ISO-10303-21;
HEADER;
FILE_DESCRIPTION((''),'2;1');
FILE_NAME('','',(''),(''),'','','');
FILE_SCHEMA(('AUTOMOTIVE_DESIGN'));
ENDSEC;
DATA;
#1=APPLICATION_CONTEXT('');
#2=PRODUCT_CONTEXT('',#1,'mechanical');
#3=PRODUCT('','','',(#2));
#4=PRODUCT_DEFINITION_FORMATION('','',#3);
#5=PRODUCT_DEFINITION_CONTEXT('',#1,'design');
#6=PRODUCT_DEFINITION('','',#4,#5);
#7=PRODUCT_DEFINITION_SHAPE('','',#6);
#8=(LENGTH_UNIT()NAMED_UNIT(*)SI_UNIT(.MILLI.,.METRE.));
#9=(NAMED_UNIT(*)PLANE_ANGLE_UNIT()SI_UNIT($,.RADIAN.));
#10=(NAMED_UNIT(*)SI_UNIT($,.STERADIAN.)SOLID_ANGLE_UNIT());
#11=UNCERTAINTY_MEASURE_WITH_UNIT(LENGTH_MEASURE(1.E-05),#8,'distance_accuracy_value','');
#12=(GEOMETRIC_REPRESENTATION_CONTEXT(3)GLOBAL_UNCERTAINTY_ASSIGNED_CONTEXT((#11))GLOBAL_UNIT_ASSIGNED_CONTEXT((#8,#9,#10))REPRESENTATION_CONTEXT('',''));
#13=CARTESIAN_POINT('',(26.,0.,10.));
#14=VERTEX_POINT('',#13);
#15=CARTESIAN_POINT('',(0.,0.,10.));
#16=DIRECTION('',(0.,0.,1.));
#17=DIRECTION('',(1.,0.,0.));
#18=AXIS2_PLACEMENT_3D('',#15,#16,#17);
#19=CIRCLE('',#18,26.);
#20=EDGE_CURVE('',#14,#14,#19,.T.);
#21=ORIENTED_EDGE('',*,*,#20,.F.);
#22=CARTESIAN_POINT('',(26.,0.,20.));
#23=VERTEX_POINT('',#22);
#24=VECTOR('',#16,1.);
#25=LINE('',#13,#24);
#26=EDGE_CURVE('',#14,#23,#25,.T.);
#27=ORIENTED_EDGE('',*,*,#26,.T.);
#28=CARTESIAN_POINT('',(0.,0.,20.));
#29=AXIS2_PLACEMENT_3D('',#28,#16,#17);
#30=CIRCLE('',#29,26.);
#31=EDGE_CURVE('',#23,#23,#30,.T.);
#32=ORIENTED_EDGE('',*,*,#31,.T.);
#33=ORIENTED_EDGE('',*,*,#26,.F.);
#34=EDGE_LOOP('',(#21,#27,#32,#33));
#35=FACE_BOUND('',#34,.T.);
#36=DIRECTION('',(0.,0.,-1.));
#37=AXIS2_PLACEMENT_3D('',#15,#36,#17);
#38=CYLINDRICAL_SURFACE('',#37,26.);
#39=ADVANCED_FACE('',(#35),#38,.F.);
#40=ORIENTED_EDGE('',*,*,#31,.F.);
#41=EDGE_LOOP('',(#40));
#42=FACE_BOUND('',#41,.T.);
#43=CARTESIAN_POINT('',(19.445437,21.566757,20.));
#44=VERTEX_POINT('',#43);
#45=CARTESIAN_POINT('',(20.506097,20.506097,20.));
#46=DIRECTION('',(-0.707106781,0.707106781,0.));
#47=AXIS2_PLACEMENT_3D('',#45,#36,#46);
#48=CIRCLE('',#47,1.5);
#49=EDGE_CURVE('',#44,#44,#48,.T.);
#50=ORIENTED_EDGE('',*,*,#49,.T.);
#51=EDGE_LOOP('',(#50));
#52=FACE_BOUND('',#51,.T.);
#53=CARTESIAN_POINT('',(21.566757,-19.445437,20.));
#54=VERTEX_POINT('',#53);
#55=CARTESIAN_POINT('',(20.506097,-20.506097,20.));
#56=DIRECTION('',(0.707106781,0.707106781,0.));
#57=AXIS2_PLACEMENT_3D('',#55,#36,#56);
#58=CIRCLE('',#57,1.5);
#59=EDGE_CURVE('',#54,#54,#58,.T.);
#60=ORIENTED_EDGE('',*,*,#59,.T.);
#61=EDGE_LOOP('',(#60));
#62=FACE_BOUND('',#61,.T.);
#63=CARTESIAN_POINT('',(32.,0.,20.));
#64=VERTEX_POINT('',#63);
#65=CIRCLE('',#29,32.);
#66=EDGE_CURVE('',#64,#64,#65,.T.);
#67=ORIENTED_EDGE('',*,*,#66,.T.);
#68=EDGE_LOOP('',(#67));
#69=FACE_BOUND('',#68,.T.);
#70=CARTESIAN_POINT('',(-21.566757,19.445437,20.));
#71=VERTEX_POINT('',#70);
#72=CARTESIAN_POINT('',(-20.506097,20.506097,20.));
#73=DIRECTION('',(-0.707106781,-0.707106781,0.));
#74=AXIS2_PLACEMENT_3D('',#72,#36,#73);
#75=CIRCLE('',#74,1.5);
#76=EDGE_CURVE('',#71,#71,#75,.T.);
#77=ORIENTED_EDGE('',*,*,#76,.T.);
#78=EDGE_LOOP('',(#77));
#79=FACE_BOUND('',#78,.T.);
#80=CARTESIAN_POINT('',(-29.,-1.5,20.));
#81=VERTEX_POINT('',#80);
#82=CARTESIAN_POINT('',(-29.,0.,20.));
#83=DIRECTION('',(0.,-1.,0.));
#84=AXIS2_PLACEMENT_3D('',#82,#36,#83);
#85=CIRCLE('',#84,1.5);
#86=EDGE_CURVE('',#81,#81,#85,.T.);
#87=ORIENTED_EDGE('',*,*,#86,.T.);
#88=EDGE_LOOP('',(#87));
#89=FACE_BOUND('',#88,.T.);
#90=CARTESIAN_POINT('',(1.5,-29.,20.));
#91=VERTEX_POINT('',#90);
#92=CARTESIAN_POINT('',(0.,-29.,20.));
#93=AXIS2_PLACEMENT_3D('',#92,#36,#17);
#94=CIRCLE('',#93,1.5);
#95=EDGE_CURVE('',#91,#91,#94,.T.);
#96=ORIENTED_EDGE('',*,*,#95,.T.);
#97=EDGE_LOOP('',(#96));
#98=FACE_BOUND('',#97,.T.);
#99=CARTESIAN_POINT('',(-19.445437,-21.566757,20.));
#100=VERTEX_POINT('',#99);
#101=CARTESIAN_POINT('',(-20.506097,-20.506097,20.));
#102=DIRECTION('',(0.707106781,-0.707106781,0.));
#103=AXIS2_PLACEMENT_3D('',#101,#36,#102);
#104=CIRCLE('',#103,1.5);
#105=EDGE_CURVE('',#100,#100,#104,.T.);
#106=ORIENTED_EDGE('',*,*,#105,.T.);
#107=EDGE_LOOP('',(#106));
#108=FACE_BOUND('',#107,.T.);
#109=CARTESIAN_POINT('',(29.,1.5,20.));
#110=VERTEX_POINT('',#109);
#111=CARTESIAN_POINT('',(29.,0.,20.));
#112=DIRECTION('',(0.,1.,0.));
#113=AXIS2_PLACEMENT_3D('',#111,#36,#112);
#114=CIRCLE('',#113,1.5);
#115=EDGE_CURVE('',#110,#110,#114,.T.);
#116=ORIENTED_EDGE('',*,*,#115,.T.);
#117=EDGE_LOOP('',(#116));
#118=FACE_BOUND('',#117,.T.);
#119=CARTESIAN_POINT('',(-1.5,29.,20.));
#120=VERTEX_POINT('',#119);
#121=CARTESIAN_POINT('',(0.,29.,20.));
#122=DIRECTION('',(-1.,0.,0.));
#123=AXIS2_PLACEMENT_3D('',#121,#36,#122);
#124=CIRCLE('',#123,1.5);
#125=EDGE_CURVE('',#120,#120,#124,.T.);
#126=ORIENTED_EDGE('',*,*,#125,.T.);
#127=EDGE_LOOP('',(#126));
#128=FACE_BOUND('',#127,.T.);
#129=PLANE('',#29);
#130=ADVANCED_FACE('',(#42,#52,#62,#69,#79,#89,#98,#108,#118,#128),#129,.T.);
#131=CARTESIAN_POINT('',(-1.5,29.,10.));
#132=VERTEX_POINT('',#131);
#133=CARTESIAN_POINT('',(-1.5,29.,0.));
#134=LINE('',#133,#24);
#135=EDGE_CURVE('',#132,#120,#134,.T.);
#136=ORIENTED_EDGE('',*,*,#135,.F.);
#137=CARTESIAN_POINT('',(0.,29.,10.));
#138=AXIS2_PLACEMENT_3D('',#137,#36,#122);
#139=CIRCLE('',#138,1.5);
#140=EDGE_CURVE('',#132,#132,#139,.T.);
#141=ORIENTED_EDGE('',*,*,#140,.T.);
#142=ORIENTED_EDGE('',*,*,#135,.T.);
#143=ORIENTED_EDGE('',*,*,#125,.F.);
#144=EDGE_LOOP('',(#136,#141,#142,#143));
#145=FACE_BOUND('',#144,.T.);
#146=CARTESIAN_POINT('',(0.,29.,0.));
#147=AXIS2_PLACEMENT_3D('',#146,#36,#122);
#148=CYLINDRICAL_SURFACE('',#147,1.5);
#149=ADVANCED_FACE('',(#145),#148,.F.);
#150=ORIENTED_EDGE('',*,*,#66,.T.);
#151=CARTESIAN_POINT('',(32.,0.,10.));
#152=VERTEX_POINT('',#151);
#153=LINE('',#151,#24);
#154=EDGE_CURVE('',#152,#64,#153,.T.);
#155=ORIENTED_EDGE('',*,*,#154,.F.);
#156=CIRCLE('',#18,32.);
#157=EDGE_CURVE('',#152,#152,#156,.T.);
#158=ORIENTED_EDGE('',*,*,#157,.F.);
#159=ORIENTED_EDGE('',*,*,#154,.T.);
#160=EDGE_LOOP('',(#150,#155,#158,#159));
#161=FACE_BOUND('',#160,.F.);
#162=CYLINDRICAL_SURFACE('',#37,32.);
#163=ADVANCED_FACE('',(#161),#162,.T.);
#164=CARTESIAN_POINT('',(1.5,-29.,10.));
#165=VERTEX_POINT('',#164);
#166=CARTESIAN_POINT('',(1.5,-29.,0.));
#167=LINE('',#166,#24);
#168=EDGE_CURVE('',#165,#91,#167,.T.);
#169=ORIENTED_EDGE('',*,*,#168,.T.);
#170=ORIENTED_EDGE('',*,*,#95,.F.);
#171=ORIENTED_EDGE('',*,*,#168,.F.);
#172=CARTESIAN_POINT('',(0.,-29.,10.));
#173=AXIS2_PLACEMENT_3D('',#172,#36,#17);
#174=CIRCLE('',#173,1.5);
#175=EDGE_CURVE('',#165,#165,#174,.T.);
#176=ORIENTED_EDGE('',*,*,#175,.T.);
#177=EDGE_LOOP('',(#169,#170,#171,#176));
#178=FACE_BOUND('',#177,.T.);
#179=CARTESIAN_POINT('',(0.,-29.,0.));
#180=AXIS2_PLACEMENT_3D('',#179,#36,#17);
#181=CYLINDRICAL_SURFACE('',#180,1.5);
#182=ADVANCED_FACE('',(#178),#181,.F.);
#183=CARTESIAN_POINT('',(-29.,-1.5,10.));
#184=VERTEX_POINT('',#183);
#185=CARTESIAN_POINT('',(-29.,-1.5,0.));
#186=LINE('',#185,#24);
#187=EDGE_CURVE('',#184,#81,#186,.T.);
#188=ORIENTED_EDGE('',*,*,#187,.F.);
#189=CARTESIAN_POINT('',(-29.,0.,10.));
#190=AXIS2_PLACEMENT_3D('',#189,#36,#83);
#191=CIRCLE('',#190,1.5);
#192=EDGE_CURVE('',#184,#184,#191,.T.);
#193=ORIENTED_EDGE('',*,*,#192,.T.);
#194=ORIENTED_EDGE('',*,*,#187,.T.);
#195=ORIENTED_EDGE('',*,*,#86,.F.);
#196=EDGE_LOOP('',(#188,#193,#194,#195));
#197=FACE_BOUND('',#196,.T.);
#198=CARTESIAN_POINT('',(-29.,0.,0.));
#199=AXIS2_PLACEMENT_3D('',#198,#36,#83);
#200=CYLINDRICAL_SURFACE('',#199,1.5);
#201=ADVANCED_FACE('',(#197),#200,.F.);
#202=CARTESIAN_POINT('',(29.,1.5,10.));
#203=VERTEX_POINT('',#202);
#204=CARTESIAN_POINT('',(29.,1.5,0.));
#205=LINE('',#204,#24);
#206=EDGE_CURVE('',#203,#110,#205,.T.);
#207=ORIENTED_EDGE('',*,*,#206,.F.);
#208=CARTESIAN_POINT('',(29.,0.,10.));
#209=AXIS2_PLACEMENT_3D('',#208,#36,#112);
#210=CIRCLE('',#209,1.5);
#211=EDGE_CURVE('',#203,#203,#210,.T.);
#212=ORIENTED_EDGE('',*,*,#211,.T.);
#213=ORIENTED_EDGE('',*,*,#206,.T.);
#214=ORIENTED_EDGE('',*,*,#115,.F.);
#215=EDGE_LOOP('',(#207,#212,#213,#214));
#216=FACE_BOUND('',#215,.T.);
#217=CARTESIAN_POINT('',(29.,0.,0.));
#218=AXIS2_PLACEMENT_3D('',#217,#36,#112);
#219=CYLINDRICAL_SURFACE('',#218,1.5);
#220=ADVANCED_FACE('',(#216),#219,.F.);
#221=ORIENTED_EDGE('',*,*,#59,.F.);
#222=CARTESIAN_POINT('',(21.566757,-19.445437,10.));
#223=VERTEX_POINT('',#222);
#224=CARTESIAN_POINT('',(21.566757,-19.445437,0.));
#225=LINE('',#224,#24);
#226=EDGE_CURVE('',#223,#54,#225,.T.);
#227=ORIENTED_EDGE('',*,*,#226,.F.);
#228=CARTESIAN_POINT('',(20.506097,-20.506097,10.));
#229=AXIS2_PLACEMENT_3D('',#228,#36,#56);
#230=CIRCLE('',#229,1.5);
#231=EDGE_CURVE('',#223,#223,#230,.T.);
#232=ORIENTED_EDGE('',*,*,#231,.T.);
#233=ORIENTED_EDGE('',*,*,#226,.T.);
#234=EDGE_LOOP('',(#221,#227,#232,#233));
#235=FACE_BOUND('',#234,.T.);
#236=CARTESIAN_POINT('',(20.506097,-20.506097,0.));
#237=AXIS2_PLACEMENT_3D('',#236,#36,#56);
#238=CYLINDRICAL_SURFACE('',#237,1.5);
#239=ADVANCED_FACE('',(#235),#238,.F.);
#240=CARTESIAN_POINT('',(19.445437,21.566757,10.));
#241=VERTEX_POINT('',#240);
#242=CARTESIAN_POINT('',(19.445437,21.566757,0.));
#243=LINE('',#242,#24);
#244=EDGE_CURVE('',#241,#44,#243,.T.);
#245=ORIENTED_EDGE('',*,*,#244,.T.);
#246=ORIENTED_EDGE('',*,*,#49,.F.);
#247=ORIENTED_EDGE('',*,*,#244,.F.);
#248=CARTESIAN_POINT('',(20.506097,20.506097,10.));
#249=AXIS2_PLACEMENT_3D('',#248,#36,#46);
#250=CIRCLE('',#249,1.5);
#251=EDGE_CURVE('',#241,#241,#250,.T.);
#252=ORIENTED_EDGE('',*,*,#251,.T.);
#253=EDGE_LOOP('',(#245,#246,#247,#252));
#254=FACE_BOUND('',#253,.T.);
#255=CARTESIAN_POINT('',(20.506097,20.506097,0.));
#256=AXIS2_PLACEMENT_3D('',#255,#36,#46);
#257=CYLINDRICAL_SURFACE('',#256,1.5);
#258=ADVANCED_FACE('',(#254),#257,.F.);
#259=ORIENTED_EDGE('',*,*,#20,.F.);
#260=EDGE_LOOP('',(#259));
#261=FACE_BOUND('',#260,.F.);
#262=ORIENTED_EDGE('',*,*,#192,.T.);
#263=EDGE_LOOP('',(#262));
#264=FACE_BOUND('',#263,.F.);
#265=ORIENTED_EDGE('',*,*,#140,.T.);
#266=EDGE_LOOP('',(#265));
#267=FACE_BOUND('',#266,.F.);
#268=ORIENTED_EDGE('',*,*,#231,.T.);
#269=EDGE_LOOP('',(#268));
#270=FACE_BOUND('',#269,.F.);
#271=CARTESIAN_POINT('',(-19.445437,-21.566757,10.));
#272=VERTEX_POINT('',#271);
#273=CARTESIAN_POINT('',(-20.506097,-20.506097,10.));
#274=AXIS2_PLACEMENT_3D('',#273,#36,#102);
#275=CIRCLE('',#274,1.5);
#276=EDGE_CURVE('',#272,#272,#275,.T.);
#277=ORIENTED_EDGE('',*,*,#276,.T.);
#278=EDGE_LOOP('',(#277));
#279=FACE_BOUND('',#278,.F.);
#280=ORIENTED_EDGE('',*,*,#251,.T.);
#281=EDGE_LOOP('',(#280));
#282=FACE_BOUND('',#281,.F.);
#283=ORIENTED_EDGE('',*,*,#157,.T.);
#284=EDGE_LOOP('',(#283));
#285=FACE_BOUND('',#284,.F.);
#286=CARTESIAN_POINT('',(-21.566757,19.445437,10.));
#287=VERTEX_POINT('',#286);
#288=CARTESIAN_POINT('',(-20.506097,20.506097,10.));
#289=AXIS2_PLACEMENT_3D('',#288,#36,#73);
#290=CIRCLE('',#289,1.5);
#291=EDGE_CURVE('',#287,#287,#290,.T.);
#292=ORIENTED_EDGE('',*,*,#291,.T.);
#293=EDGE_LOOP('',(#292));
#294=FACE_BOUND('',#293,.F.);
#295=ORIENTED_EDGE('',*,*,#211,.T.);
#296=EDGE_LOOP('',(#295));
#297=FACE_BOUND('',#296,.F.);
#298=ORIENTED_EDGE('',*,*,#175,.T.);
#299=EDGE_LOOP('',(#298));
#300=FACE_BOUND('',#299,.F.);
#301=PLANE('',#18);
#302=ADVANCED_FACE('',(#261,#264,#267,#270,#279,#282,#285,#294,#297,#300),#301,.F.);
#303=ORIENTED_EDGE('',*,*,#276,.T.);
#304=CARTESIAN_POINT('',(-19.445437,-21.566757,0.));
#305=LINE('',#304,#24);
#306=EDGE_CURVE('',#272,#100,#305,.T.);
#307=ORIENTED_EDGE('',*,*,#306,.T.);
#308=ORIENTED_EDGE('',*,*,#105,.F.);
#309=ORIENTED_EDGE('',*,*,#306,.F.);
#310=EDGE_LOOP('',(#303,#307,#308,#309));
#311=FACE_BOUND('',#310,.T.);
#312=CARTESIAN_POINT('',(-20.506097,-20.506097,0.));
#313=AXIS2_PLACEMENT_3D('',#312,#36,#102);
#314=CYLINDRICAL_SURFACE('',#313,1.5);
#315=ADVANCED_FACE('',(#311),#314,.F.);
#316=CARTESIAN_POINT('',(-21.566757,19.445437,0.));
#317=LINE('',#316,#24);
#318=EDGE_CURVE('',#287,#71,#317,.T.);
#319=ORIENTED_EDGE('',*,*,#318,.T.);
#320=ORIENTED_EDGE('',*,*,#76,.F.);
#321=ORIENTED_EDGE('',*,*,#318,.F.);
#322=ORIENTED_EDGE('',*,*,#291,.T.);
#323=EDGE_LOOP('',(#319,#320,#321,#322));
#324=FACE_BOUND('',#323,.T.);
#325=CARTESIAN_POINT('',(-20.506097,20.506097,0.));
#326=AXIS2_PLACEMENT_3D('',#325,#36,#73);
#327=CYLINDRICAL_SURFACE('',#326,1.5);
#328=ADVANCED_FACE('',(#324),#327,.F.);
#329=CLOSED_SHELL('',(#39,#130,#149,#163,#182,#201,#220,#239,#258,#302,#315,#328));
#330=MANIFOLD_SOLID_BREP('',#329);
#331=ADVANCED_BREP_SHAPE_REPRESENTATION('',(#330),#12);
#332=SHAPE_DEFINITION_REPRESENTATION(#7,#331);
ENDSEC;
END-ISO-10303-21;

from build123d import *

# Parameters (mm, degrees)
CYLINDER188_R               = 1.5
CYLINDER188_DEPTH           = 30
CYLINDER188_PLACEMENT_ANGLE = 45
CYLINDER189_R               = 1.5
CYLINDER189_DEPTH           = 30
CYLINDER190_R               = 1.5
CYLINDER190_DEPTH           = 30
CYLINDER190_PLACEMENT_ANGLE = 135
CYLINDER191_R               = 1.5
CYLINDER191_DEPTH           = 30
CYLINDER192_R               = 1.5
CYLINDER192_DEPTH           = 30
CYLINDER192_PLACEMENT_ANGLE = 225
CYLINDER193_R               = 1.5
CYLINDER193_DEPTH           = 30
CYLINDER194_R               = 1.5
CYLINDER194_DEPTH           = 30
CYLINDER194_PLACEMENT_ANGLE = 45
CYLINDER187_R               = 1.5
CYLINDER187_DEPTH           = 30
TUBE012_R                   = 32
TUBE012_R_2                 = 26
TUBE012_DEPTH               = 10


with BuildPart() as v_lec188:
    # Cylinder188 → Cylinder188 (new body)
    with BuildSketch(Plane.XY):
        Circle(CYLINDER188_R)
    extrude(amount=CYLINDER188_DEPTH)


with BuildPart() as v_lec188_1:
    # Cylinder188 placement: moved
    add(v_lec188.part.moved(Location((20.506097, -20.506097, 0))).rotate(Axis((20.506097, -20.506097, 0), (0, 0, 1)), CYLINDER188_PLACEMENT_ANGLE))


with BuildPart() as v_lec189:
    # Cylinder189 → Cylinder189 (new body)
    with BuildSketch(Plane(origin=(29, 0, 0), x_dir=(0, 1, 0), z_dir=(0, 0, 1))):
        Circle(CYLINDER189_R)
    extrude(amount=CYLINDER189_DEPTH)


with BuildPart() as v_lec190:
    # Cylinder190 → Cylinder190 (new body)
    with BuildSketch(Plane.XY):
        Circle(CYLINDER190_R)
    extrude(amount=CYLINDER190_DEPTH)


with BuildPart() as v_lec190_1:
    # Cylinder190 placement: moved
    add(v_lec190.part.moved(Location((20.506097, 20.506097, 0))).rotate(Axis((20.506097, 20.506097, 0), (0, 0, 1)), CYLINDER190_PLACEMENT_ANGLE))


with BuildPart() as v_lec191:
    # Cylinder191 → Cylinder191 (new body)
    with BuildSketch(Plane(origin=(0, 29, 0), x_dir=(-1, 0, 0), z_dir=(0, 0, 1))):
        Circle(CYLINDER191_R)
    extrude(amount=CYLINDER191_DEPTH)


with BuildPart() as v_lec192:
    # Cylinder192 → Cylinder192 (new body)
    with BuildSketch(Plane.XY):
        Circle(CYLINDER192_R)
    extrude(amount=CYLINDER192_DEPTH)


with BuildPart() as v_lec192_1:
    # Cylinder192 placement: moved
    add(v_lec192.part.moved(Location((-20.506097, 20.506097, 0))).rotate(Axis((-20.506097, 20.506097, 0), (0, 0, 1)), CYLINDER192_PLACEMENT_ANGLE))


with BuildPart() as v_lec193:
    # Cylinder193 → Cylinder193 (new body)
    with BuildSketch(Plane(origin=(-29, 0, 0), x_dir=(0, -1, 0), z_dir=(0, 0, 1))):
        Circle(CYLINDER193_R)
    extrude(amount=CYLINDER193_DEPTH)


with BuildPart() as v_lec194:
    # Cylinder194 → Cylinder194 (new body)
    with BuildSketch(Plane.XY):
        Circle(CYLINDER194_R)
    extrude(amount=CYLINDER194_DEPTH)


with BuildPart() as v_lec194_1:
    # Cylinder194 placement: moved
    add(v_lec194.part.moved(Location((-20.506097, -20.506097, 0))).rotate(Axis((-20.506097, -20.506097, 0), (0, 0, -1)), CYLINDER194_PLACEMENT_ANGLE))


with BuildPart() as compound544:
    # Cylinder187 → Cylinder187 (new body)
    with BuildSketch(Plane(origin=(0, -29, 0), x_dir=(1, 0, 0), z_dir=(0, 0, 1))):
        Circle(CYLINDER187_R)
    extrude(amount=CYLINDER187_DEPTH)

    # Compound544: union Válec188, Válec189, Válec190, Válec191, Válec192, Válec193, Válec194
    add(v_lec188_1.part)
    add(v_lec189.part)
    add(v_lec190_1.part)
    add(v_lec191.part)
    add(v_lec192_1.part)
    add(v_lec193.part)
    add(v_lec194_1.part)


with BuildPart() as cut318:
    # Tube012 → Tube012 (new body)
    with BuildSketch(Plane.XY.offset(10)):
        Circle(TUBE012_R)
        Circle(TUBE012_R_2, mode=Mode.SUBTRACT)
    extrude(amount=TUBE012_DEPTH)

    # Cut318: cut Compound544
    add(compound544.part, mode=Mode.SUBTRACT)


solid = cut318.part
